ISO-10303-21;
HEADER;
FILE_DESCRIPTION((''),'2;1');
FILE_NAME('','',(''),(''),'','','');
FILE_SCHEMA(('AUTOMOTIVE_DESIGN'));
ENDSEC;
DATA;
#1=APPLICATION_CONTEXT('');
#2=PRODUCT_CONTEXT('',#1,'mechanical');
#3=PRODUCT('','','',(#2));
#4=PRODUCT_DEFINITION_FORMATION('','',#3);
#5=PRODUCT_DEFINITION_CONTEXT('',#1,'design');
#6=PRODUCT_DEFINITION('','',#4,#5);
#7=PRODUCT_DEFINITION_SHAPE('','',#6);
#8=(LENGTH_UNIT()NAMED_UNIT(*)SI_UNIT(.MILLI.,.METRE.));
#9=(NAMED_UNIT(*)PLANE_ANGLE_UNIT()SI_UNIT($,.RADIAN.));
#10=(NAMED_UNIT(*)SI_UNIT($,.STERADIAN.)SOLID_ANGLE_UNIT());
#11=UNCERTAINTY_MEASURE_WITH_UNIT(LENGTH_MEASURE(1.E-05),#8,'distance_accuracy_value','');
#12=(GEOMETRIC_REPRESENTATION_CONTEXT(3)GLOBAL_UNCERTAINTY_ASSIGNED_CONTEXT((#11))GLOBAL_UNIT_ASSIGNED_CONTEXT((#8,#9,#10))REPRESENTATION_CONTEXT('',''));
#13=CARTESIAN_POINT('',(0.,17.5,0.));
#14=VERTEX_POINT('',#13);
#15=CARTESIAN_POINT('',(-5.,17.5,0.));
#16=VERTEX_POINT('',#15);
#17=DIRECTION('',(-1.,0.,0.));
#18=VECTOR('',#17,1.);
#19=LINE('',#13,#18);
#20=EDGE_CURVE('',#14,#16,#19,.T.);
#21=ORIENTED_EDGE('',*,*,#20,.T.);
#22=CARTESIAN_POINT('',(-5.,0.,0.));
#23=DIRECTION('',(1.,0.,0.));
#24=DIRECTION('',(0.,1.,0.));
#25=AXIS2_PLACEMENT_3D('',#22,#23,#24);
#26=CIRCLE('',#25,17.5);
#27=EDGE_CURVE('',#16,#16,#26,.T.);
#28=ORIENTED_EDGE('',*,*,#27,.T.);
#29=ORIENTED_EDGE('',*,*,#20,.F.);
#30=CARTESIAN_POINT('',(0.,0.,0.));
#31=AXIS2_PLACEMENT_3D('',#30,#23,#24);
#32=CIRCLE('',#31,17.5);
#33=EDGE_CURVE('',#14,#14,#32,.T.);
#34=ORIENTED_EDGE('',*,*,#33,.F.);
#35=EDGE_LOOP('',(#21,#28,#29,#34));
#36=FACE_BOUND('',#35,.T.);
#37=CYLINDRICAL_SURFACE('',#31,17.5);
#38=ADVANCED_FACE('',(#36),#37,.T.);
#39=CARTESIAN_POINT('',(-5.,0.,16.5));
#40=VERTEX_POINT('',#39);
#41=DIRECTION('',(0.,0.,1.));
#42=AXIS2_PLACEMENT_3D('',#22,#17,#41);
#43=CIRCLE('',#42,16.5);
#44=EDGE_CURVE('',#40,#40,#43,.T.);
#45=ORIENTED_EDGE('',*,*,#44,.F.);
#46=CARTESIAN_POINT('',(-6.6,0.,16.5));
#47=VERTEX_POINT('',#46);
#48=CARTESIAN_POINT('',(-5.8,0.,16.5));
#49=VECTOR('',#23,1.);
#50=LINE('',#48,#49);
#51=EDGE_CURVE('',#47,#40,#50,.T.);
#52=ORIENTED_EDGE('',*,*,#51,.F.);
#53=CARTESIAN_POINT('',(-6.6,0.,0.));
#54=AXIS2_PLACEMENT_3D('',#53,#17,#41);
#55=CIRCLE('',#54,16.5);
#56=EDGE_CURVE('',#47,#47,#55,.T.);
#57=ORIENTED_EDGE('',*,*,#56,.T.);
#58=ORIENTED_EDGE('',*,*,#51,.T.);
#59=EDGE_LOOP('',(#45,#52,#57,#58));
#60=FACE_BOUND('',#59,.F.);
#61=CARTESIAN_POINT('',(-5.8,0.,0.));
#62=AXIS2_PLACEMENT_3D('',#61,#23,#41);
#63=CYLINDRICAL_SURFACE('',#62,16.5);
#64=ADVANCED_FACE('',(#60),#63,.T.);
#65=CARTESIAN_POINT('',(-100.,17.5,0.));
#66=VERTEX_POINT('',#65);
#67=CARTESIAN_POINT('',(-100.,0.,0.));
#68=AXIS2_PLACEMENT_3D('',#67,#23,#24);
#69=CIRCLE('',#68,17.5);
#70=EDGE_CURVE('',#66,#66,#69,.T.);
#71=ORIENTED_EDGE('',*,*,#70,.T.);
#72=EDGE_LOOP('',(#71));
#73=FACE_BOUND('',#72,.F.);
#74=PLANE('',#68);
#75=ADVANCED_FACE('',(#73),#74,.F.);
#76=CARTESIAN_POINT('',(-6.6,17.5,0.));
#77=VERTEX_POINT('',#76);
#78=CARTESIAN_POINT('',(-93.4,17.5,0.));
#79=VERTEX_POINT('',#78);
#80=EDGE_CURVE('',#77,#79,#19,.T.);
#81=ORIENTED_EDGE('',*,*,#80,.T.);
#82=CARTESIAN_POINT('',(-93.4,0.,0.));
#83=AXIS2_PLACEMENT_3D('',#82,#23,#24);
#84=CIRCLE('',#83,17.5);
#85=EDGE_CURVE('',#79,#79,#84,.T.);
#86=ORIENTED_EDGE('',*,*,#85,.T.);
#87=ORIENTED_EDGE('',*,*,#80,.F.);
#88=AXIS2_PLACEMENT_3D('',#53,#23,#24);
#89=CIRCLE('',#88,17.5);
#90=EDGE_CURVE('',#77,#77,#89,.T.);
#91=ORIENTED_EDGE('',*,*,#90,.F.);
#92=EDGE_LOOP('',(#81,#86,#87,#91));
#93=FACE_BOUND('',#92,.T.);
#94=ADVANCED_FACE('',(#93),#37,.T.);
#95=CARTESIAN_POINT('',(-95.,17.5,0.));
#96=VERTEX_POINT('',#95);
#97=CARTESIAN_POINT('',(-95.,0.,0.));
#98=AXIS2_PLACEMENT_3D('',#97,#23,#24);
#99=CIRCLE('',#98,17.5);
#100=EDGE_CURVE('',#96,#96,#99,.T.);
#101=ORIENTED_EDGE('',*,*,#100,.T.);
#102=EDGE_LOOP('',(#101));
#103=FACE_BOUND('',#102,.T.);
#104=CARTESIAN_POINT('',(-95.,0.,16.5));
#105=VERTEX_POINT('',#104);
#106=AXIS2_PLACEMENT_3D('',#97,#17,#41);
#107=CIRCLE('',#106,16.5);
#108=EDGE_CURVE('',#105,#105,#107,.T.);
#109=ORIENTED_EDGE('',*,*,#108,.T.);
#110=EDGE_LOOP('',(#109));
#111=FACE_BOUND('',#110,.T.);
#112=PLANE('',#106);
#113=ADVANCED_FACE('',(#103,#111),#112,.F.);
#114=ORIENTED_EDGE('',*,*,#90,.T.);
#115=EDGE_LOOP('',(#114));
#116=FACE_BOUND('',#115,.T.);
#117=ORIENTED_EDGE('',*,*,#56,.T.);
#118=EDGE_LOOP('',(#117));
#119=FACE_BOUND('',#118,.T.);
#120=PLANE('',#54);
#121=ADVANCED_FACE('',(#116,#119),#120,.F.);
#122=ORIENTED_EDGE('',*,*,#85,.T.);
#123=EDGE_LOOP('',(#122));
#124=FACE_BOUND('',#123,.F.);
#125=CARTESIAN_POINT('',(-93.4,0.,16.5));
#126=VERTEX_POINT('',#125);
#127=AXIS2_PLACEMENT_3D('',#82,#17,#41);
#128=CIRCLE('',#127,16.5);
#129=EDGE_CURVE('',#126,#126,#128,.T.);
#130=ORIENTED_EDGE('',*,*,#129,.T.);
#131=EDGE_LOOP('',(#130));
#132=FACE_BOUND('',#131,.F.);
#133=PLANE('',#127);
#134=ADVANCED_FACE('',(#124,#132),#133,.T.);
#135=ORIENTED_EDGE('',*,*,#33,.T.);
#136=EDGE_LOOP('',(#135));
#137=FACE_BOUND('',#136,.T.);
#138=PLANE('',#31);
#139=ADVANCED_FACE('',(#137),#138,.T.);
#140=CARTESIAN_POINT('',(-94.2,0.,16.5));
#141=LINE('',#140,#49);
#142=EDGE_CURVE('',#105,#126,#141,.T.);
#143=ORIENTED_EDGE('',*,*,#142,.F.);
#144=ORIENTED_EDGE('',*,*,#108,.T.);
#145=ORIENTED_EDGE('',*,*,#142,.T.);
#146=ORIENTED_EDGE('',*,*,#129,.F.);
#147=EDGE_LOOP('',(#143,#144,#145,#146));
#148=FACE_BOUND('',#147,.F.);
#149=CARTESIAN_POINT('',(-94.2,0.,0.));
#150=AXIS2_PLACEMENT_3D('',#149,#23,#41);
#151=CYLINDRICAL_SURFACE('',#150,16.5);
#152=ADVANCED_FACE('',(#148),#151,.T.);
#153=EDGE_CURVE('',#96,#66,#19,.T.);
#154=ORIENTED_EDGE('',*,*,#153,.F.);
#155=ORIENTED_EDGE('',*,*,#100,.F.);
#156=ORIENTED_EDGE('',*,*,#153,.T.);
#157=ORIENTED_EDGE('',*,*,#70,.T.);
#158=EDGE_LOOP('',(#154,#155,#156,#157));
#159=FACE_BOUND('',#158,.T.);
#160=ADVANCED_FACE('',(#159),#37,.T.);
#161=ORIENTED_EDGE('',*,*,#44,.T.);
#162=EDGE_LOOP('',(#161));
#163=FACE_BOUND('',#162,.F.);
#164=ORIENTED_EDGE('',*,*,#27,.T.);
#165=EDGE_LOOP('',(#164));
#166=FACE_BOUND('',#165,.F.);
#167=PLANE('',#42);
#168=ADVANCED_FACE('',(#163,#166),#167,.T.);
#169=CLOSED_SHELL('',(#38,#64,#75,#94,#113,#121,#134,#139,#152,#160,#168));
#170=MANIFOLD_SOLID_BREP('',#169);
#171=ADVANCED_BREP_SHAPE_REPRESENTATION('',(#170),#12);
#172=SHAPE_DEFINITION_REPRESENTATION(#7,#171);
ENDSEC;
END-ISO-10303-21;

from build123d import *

# Parameters (mm, degrees)
F0_R     = 17.5
F1_DEPTH = 100
F2_W     = 1.6
F2_H     = 1


with BuildPart() as f1:
    # F0 (on Right) → F1 (new body)
    with BuildSketch(Plane.YZ):
        Circle(F0_R)
    extrude(amount=-F1_DEPTH)

    # F2 (on Front) → F3 (revolve, cut)
    with BuildSketch(Plane.XZ):
        with Locations((-5.8, 17)):
            Rectangle(F2_W, F2_H)
        with Locations((-94.2, 17)):
            Rectangle(F2_W, F2_H)
    revolve(axis=Axis((-50, 0, 0), (-1, 0, 0)), mode=Mode.SUBTRACT)


solid = f1.part
